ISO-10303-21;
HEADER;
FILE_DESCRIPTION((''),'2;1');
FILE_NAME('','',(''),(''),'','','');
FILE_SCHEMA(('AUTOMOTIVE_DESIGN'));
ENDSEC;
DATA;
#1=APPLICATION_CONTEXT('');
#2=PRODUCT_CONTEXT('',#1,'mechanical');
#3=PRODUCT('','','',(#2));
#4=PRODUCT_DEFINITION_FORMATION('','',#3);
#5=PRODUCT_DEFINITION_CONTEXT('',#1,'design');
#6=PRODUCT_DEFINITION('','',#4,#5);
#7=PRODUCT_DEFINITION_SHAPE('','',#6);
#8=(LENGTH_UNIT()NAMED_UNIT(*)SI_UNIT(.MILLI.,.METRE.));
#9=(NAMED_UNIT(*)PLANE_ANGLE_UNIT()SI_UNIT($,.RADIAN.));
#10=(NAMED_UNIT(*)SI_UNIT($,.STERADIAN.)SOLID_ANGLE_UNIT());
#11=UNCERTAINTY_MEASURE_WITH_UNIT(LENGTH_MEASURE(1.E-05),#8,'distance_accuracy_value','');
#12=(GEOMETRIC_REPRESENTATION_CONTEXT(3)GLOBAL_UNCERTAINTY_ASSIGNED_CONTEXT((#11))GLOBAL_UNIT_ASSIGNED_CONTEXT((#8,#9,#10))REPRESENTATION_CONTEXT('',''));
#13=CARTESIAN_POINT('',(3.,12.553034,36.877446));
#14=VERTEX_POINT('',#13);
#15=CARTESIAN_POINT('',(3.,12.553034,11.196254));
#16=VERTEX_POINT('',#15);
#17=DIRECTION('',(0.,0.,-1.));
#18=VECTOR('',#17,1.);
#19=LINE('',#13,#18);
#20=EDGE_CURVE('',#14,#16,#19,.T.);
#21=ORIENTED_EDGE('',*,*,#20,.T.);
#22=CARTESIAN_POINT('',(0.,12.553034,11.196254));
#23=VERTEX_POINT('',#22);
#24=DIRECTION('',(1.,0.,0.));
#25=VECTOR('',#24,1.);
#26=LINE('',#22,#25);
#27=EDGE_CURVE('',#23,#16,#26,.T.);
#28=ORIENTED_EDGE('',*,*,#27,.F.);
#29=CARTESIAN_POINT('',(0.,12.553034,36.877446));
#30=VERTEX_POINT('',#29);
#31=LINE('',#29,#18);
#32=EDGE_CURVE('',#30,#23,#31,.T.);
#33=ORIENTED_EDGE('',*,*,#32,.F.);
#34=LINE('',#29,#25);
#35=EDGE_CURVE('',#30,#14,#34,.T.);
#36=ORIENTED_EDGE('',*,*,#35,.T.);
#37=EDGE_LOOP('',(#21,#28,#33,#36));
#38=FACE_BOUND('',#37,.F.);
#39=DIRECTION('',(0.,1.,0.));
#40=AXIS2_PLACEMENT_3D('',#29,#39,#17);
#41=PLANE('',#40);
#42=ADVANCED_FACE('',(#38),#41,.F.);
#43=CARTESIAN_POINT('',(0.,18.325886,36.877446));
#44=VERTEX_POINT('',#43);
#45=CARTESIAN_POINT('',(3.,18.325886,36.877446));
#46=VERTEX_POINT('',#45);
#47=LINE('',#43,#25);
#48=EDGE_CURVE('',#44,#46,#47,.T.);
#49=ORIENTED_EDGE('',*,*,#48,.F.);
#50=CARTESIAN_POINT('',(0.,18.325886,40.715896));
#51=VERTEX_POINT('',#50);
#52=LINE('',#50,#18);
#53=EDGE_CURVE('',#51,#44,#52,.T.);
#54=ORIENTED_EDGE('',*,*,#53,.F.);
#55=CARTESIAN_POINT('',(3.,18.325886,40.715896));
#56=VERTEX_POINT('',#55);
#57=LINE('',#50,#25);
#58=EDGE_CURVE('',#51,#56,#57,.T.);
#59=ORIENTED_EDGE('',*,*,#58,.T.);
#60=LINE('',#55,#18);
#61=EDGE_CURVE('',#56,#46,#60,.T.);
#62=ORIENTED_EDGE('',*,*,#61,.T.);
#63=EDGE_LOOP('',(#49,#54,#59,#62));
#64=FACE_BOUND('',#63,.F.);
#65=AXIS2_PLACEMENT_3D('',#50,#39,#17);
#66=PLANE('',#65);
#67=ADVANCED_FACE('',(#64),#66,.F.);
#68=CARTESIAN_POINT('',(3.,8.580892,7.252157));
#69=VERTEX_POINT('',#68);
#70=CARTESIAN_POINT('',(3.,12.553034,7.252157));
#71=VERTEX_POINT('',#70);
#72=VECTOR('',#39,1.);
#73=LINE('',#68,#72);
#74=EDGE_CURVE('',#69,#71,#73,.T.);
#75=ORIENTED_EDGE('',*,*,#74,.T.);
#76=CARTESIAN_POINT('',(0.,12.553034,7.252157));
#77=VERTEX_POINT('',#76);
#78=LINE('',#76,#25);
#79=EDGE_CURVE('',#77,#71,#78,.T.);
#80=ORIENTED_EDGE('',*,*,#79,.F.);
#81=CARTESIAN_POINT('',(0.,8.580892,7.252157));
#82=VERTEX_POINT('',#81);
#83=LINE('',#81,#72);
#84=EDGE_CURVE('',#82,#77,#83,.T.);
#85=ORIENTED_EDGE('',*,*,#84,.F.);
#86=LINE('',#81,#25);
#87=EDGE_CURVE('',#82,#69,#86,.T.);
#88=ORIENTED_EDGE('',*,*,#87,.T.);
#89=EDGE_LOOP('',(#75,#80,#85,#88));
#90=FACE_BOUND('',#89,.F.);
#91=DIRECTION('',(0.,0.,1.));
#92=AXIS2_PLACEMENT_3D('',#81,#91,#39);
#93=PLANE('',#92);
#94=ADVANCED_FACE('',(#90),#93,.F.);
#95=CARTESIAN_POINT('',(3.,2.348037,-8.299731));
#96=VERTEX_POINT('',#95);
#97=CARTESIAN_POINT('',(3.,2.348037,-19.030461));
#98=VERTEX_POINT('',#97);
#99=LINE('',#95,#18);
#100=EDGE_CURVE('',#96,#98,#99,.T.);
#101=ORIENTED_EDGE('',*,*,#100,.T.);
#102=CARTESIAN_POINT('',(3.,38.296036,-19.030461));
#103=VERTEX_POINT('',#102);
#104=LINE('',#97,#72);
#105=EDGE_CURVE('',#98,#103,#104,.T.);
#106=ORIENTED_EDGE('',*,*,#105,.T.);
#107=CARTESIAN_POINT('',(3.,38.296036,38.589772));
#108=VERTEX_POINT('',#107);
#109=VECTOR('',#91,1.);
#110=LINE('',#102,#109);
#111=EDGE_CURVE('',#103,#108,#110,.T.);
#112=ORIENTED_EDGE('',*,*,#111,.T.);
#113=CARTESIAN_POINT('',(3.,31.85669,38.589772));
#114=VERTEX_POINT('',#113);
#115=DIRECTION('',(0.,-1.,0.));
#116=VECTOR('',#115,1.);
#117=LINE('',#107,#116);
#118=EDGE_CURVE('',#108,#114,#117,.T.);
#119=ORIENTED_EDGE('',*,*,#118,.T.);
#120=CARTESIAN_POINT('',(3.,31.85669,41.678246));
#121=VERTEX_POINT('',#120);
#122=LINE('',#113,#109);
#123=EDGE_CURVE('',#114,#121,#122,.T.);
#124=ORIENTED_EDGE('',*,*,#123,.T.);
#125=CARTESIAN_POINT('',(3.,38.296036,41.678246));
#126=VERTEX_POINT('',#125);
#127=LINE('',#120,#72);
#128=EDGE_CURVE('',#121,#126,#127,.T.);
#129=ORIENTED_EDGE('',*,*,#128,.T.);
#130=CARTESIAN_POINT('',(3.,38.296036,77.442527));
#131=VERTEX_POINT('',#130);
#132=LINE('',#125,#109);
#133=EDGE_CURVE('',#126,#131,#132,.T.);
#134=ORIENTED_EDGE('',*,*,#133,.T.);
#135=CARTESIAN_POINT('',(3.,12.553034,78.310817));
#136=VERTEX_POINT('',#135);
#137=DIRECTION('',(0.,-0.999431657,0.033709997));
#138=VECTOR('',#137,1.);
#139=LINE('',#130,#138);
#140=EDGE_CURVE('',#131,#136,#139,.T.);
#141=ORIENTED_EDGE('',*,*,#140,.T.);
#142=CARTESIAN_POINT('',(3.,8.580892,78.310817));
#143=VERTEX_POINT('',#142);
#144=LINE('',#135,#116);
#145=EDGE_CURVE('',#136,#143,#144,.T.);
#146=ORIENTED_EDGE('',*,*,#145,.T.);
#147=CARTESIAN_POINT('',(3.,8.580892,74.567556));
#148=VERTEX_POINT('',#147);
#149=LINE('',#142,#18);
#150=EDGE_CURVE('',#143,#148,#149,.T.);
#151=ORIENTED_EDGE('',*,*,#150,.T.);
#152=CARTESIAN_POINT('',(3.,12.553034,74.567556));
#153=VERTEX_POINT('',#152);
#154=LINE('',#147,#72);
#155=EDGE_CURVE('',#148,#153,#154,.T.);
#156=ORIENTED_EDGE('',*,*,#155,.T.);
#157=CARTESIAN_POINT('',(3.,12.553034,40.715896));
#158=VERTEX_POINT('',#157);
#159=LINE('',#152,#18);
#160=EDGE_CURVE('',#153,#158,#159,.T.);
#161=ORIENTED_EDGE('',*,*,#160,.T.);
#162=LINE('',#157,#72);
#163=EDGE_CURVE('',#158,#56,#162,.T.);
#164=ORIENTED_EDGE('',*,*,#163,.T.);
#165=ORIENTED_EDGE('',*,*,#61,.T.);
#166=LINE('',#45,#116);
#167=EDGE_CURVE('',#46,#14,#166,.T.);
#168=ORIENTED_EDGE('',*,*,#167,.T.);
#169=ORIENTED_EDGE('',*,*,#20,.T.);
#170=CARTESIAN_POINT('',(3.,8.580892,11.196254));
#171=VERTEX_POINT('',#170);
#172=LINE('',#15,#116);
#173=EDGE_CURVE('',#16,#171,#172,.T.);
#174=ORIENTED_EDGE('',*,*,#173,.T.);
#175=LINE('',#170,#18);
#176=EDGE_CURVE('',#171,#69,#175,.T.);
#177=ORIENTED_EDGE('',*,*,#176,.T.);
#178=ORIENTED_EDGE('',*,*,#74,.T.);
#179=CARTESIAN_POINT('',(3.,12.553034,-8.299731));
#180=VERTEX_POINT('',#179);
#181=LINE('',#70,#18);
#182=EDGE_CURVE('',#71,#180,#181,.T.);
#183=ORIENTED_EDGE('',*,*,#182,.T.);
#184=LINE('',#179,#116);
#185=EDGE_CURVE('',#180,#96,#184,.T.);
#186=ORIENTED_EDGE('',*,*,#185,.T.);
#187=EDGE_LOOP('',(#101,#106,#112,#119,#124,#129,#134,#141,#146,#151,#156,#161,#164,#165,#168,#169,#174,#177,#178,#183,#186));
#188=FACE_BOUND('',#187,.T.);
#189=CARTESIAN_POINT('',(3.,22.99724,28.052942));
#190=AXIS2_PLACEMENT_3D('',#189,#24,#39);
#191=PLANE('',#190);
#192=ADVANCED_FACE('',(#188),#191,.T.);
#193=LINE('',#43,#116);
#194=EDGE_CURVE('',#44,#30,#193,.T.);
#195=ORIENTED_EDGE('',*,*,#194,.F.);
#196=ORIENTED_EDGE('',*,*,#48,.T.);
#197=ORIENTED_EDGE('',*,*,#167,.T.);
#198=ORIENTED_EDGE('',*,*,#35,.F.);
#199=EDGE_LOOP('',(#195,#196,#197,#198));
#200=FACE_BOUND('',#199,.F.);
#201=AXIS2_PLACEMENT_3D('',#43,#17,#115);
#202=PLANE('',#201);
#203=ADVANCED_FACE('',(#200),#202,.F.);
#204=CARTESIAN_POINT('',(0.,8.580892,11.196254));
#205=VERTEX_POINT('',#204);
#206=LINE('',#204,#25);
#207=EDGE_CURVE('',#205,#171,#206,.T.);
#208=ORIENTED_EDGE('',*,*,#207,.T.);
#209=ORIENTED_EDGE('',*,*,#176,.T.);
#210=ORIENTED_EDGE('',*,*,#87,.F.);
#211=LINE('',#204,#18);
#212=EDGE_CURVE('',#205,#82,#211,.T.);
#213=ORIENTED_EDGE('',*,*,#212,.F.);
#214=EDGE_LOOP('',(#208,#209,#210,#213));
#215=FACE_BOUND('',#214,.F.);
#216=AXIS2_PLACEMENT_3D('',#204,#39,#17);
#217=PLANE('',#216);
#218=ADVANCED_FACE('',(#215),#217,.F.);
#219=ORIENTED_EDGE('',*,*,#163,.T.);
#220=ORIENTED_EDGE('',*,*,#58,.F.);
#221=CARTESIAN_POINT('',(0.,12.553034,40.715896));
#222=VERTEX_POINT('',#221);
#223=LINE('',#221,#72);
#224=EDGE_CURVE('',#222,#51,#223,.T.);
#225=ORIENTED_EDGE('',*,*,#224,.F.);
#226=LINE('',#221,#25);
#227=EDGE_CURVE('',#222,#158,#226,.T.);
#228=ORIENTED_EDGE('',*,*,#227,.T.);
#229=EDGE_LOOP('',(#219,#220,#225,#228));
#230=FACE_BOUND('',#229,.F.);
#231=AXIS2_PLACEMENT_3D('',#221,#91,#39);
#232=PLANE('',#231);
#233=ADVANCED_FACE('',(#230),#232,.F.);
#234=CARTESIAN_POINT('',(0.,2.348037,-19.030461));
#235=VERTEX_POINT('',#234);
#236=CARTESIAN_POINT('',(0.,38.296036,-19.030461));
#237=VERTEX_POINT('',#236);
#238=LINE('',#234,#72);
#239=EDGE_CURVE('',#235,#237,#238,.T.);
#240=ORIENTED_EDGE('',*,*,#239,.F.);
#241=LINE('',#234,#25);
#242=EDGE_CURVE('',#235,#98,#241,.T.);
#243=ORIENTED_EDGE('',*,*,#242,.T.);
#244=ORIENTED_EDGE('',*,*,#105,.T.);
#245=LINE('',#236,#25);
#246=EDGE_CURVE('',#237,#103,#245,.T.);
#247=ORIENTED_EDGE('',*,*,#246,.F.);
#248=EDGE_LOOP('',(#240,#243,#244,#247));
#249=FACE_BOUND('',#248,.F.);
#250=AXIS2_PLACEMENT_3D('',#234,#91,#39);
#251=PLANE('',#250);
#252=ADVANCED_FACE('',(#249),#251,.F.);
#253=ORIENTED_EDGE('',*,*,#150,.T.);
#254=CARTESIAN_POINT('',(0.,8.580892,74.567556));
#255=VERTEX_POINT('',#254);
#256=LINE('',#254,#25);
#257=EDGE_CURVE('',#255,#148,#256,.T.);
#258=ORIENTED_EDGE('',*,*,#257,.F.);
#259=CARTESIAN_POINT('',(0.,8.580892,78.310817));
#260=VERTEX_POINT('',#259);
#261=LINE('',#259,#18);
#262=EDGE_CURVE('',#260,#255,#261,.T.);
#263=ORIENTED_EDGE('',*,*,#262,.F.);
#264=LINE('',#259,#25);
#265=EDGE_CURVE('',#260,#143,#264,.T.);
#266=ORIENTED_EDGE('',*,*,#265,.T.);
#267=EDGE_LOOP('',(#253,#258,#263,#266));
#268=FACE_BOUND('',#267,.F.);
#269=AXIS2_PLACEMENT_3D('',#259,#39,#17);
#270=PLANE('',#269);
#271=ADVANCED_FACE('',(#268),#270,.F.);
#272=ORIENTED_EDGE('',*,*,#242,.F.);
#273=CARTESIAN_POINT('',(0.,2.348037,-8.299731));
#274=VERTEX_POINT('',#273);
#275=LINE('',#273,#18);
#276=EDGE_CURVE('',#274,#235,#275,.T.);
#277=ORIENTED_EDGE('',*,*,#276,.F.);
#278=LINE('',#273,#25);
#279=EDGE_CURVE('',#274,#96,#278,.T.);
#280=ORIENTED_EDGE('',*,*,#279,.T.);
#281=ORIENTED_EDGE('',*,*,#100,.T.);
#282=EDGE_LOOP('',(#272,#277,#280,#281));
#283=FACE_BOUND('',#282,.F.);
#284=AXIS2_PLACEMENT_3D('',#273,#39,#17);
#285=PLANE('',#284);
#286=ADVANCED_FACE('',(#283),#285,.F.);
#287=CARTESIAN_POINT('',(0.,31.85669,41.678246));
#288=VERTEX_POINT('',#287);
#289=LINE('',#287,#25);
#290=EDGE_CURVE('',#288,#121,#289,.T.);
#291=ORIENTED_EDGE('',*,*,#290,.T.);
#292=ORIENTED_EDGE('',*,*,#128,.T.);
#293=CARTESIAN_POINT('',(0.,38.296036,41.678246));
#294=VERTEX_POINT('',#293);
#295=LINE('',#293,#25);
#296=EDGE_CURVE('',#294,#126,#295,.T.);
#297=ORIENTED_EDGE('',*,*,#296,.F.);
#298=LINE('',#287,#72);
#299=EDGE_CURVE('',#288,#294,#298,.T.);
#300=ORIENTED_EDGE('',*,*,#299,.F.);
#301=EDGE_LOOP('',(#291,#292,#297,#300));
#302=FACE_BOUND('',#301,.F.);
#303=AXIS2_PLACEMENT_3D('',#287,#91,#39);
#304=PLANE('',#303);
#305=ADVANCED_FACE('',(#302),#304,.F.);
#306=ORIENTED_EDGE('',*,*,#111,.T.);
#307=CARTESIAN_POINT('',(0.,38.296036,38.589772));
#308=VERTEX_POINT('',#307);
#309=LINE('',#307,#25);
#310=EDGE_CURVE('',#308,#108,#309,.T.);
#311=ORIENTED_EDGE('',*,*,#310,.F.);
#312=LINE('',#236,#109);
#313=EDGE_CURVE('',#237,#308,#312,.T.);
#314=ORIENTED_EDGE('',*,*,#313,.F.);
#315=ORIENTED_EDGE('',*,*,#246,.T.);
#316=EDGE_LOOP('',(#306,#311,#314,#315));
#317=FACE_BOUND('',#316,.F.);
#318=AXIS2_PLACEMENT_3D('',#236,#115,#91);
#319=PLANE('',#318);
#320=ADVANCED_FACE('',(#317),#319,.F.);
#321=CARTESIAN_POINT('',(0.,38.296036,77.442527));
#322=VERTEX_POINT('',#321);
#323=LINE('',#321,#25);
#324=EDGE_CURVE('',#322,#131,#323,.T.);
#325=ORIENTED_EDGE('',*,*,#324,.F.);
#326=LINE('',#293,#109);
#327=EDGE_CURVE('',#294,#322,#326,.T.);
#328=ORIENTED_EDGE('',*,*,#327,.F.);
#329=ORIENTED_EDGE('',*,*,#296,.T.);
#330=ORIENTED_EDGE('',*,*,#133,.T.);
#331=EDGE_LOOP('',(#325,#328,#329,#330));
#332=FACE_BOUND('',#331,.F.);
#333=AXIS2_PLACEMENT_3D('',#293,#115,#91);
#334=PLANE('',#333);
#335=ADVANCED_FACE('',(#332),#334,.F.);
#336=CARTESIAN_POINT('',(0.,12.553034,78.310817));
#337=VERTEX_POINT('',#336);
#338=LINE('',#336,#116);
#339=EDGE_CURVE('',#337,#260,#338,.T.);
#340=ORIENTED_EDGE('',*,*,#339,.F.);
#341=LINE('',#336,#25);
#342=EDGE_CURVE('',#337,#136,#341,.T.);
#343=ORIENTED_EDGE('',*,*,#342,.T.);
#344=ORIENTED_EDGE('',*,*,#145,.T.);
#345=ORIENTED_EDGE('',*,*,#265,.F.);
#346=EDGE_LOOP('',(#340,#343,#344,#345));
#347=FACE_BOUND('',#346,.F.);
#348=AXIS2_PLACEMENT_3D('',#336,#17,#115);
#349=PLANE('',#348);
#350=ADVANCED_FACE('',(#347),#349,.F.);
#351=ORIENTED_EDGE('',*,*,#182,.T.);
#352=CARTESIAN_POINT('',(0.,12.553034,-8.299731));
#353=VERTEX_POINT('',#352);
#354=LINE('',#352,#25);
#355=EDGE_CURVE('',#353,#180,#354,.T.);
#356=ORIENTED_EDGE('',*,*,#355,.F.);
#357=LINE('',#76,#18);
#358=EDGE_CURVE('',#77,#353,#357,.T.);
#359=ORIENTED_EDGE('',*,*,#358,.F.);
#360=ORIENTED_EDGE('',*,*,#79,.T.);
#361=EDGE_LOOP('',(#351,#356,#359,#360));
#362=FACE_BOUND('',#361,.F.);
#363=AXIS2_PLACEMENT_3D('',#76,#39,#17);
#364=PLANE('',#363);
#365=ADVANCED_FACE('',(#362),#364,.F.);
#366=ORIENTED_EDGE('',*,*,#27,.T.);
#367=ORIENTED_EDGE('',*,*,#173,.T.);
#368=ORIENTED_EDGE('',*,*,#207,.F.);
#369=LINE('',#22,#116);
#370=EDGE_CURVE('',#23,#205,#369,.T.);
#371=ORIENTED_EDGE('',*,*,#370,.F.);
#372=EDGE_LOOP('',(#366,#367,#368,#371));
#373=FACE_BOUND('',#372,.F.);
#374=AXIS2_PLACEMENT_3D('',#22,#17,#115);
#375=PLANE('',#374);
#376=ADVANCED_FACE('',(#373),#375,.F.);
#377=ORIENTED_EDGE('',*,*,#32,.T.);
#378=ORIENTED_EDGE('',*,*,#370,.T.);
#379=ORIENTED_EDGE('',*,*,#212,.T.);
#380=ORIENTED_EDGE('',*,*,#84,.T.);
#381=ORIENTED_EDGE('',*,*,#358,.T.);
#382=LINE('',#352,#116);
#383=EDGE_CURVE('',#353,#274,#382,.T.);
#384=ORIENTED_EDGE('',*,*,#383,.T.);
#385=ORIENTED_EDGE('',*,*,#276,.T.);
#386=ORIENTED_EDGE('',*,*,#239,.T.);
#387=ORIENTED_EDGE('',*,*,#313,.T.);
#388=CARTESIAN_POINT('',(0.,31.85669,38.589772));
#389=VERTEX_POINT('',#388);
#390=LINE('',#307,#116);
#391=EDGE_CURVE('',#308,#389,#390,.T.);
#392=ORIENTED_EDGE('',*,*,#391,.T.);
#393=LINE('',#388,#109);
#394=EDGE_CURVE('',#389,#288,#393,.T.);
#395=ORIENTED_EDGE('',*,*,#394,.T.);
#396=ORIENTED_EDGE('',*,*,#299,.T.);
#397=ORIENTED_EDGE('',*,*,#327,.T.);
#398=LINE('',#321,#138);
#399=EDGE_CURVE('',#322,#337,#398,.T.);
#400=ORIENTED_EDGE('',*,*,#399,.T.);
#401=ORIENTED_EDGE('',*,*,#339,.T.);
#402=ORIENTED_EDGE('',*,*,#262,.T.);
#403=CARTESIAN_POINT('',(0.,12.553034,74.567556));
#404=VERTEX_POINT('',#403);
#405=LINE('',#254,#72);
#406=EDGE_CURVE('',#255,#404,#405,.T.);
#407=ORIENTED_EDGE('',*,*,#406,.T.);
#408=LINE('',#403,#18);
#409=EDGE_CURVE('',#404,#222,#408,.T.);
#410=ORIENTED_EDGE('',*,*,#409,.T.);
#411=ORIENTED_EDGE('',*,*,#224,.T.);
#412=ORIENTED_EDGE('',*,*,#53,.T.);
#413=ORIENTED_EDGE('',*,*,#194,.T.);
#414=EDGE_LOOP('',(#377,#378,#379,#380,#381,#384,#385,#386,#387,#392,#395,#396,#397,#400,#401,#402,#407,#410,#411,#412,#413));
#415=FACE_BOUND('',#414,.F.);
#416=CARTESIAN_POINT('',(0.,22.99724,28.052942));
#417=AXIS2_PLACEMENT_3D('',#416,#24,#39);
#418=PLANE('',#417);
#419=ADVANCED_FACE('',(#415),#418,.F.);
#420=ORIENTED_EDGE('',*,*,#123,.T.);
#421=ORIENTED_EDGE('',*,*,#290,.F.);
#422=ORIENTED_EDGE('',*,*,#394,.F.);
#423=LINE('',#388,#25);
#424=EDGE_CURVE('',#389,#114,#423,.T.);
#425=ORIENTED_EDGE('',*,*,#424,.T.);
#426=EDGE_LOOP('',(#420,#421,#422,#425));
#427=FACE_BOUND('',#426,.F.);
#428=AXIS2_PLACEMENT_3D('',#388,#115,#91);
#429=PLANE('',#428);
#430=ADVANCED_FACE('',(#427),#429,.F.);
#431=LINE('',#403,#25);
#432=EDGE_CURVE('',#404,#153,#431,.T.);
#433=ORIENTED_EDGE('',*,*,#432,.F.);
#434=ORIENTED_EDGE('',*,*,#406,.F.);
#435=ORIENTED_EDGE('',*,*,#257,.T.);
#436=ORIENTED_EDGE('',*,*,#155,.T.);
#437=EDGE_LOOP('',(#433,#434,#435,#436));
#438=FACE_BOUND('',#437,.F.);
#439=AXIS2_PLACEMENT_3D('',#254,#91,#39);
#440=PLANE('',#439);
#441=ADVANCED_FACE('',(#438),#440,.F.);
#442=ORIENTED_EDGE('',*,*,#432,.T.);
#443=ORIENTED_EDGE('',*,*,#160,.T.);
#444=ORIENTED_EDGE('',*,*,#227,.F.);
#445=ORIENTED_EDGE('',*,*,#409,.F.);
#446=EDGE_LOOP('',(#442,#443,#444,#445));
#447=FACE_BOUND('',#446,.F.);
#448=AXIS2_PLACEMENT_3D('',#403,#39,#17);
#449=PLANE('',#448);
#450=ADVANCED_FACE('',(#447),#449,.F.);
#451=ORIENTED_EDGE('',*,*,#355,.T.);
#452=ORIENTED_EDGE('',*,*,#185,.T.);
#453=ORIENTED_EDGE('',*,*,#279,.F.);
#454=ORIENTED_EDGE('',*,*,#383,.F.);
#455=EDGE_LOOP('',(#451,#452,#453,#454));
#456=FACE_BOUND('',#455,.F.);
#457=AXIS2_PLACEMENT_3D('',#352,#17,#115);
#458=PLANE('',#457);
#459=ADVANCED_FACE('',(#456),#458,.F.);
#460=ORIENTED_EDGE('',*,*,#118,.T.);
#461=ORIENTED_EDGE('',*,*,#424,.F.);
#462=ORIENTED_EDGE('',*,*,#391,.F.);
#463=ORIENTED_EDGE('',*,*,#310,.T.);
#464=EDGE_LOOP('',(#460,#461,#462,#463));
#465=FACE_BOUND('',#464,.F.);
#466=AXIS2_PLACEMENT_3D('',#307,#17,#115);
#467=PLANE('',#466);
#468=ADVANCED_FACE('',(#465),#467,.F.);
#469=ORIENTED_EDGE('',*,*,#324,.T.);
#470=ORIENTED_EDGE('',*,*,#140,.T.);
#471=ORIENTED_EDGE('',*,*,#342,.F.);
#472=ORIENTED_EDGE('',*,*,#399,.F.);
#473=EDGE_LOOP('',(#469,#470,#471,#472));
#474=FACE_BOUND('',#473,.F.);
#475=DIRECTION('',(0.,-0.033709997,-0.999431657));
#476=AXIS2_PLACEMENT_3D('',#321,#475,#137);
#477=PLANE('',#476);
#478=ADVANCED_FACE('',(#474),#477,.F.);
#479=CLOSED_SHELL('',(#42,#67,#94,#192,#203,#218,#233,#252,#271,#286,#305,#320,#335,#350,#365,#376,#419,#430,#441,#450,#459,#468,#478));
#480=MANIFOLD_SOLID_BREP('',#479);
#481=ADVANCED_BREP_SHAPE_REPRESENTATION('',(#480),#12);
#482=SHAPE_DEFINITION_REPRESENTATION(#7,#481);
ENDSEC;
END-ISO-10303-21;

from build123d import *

# Parameters (mm, degrees)
F1_DEPTH = 3


with BuildPart() as f1:
    # F0 (on Right) → F1 (new body)
    with BuildSketch(Plane.YZ):
        Polygon((2.348037, -19.030461), (38.296036, -19.030461), (38.296036, 38.589772), (31.85669, 38.589772), (31.85669, 41.678246), (38.296036, 41.678246), (38.296036, 77.442527), (12.553034, 78.310817), (8.580892, 78.310817), (8.580892, 74.567556), (12.553034, 74.567556), (12.553034, 40.715896), (18.325886, 40.715896), (18.325886, 36.877446), (12.553034, 36.877446), (12.553034, 11.196254), (8.580892, 11.196254), (8.580892, 7.252157), (12.553034, 7.252157), (12.553034, -8.299731), (2.348037, -8.299731), align=None)
    extrude(amount=F1_DEPTH)


solid = f1.part
